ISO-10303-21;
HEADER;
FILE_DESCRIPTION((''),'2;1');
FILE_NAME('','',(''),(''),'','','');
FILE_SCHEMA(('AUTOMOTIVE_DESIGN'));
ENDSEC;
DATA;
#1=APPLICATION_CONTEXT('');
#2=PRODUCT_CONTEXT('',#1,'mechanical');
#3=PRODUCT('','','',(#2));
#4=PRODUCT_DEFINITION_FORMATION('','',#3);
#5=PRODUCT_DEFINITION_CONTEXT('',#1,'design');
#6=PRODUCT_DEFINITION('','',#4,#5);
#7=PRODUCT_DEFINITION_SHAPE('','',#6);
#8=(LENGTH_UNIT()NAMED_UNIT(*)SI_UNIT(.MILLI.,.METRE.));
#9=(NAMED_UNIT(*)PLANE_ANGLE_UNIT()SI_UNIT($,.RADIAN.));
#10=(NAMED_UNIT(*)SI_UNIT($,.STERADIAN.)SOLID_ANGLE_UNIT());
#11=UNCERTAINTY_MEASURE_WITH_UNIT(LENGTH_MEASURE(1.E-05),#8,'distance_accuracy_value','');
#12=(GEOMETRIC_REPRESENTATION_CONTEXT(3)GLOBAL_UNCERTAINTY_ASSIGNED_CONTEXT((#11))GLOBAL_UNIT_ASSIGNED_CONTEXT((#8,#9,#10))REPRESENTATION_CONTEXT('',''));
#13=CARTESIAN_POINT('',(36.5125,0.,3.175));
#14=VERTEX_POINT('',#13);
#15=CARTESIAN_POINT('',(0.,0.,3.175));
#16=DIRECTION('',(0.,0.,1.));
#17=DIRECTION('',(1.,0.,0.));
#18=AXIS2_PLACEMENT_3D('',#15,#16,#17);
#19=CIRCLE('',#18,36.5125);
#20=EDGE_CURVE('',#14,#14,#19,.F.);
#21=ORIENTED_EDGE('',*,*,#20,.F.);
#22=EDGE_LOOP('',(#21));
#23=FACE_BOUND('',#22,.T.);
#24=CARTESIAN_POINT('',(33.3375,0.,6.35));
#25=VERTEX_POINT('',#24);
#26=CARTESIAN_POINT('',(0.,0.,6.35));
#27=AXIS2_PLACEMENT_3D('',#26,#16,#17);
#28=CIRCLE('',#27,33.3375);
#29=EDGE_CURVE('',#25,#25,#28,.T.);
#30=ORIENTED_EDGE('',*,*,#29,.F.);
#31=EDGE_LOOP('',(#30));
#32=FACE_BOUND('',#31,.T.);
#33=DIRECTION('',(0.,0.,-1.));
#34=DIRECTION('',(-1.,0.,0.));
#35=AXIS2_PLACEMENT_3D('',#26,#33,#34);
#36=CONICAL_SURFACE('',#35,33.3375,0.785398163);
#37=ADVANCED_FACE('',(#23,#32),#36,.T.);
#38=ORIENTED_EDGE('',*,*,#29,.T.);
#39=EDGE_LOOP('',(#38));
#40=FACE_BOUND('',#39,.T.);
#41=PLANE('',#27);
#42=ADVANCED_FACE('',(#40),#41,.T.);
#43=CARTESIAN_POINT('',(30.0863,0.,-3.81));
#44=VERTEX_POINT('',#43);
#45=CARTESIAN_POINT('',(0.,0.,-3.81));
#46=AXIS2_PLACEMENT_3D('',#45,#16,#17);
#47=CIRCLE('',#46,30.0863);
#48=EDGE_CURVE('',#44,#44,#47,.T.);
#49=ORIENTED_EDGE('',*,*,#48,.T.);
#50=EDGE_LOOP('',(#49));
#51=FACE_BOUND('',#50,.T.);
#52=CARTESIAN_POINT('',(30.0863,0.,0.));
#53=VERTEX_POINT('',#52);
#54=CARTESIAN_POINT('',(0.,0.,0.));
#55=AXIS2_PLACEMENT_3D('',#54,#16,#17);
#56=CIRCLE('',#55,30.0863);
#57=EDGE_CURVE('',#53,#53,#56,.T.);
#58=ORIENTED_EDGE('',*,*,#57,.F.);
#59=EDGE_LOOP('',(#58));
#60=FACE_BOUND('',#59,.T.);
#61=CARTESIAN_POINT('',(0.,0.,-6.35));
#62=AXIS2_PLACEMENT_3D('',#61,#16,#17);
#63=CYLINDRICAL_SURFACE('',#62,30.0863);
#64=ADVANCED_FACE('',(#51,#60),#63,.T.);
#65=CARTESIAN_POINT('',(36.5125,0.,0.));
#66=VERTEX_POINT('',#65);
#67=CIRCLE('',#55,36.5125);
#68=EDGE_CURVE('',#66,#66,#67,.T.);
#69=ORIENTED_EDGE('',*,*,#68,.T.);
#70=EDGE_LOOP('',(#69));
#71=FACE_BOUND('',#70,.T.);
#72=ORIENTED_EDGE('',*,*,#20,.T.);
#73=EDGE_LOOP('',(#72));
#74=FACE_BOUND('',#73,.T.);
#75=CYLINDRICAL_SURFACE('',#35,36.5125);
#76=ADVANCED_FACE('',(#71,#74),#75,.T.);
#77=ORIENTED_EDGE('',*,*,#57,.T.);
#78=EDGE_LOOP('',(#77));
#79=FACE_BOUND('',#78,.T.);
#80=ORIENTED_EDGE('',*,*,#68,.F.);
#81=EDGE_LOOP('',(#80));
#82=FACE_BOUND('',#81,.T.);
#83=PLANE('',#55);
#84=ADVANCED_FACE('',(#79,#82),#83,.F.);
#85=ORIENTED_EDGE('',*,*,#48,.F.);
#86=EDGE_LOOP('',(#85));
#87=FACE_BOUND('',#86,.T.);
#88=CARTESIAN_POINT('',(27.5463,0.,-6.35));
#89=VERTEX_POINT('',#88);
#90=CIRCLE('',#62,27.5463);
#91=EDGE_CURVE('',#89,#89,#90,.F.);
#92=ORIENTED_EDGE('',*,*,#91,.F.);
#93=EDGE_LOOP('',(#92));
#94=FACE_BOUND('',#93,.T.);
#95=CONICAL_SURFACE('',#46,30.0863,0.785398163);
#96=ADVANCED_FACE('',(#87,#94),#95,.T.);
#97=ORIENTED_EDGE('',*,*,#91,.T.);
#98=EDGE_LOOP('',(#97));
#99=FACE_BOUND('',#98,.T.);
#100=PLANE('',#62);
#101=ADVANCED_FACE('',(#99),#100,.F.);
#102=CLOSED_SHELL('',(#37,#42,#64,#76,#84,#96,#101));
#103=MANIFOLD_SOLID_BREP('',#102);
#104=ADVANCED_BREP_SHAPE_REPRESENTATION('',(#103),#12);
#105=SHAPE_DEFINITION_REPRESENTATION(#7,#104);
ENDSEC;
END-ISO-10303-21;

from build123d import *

# Parameters (mm, degrees)
SKETCH1_R           = 30.0863
BOSS_EXTRUDE1_DEPTH = 6.35
SKETCH2_R           = 36.5125
BOSS_EXTRUDE2_DEPTH = 6.35
CHAMFER1_SIZE       = 3.175
CHAMFER2_SIZE       = 2.54


with BuildPart() as part:
    # Sketch1 → Boss-Extrude1 (new body)
    with BuildSketch(Plane.XY):
        Circle(SKETCH1_R)
    extrude(amount=-BOSS_EXTRUDE1_DEPTH)

    # Sketch2 → Boss-Extrude2 (add)
    with BuildSketch(Plane.XY):
        Circle(SKETCH2_R)
    extrude(amount=BOSS_EXTRUDE2_DEPTH)

    # Chamfer1
    chamfer1_edges = [part.edges().sort_by_distance(p)[0] for p in [
        (-36.5125, 0, 6.35),
    ]]
    chamfer(chamfer1_edges, length=CHAMFER1_SIZE)

    # Chamfer2
    chamfer2_edges = [part.edges().sort_by_distance(p)[0] for p in [
        (-30.0863, 0, -6.35),
    ]]
    chamfer(chamfer2_edges, length=CHAMFER2_SIZE)


solid = part.part
